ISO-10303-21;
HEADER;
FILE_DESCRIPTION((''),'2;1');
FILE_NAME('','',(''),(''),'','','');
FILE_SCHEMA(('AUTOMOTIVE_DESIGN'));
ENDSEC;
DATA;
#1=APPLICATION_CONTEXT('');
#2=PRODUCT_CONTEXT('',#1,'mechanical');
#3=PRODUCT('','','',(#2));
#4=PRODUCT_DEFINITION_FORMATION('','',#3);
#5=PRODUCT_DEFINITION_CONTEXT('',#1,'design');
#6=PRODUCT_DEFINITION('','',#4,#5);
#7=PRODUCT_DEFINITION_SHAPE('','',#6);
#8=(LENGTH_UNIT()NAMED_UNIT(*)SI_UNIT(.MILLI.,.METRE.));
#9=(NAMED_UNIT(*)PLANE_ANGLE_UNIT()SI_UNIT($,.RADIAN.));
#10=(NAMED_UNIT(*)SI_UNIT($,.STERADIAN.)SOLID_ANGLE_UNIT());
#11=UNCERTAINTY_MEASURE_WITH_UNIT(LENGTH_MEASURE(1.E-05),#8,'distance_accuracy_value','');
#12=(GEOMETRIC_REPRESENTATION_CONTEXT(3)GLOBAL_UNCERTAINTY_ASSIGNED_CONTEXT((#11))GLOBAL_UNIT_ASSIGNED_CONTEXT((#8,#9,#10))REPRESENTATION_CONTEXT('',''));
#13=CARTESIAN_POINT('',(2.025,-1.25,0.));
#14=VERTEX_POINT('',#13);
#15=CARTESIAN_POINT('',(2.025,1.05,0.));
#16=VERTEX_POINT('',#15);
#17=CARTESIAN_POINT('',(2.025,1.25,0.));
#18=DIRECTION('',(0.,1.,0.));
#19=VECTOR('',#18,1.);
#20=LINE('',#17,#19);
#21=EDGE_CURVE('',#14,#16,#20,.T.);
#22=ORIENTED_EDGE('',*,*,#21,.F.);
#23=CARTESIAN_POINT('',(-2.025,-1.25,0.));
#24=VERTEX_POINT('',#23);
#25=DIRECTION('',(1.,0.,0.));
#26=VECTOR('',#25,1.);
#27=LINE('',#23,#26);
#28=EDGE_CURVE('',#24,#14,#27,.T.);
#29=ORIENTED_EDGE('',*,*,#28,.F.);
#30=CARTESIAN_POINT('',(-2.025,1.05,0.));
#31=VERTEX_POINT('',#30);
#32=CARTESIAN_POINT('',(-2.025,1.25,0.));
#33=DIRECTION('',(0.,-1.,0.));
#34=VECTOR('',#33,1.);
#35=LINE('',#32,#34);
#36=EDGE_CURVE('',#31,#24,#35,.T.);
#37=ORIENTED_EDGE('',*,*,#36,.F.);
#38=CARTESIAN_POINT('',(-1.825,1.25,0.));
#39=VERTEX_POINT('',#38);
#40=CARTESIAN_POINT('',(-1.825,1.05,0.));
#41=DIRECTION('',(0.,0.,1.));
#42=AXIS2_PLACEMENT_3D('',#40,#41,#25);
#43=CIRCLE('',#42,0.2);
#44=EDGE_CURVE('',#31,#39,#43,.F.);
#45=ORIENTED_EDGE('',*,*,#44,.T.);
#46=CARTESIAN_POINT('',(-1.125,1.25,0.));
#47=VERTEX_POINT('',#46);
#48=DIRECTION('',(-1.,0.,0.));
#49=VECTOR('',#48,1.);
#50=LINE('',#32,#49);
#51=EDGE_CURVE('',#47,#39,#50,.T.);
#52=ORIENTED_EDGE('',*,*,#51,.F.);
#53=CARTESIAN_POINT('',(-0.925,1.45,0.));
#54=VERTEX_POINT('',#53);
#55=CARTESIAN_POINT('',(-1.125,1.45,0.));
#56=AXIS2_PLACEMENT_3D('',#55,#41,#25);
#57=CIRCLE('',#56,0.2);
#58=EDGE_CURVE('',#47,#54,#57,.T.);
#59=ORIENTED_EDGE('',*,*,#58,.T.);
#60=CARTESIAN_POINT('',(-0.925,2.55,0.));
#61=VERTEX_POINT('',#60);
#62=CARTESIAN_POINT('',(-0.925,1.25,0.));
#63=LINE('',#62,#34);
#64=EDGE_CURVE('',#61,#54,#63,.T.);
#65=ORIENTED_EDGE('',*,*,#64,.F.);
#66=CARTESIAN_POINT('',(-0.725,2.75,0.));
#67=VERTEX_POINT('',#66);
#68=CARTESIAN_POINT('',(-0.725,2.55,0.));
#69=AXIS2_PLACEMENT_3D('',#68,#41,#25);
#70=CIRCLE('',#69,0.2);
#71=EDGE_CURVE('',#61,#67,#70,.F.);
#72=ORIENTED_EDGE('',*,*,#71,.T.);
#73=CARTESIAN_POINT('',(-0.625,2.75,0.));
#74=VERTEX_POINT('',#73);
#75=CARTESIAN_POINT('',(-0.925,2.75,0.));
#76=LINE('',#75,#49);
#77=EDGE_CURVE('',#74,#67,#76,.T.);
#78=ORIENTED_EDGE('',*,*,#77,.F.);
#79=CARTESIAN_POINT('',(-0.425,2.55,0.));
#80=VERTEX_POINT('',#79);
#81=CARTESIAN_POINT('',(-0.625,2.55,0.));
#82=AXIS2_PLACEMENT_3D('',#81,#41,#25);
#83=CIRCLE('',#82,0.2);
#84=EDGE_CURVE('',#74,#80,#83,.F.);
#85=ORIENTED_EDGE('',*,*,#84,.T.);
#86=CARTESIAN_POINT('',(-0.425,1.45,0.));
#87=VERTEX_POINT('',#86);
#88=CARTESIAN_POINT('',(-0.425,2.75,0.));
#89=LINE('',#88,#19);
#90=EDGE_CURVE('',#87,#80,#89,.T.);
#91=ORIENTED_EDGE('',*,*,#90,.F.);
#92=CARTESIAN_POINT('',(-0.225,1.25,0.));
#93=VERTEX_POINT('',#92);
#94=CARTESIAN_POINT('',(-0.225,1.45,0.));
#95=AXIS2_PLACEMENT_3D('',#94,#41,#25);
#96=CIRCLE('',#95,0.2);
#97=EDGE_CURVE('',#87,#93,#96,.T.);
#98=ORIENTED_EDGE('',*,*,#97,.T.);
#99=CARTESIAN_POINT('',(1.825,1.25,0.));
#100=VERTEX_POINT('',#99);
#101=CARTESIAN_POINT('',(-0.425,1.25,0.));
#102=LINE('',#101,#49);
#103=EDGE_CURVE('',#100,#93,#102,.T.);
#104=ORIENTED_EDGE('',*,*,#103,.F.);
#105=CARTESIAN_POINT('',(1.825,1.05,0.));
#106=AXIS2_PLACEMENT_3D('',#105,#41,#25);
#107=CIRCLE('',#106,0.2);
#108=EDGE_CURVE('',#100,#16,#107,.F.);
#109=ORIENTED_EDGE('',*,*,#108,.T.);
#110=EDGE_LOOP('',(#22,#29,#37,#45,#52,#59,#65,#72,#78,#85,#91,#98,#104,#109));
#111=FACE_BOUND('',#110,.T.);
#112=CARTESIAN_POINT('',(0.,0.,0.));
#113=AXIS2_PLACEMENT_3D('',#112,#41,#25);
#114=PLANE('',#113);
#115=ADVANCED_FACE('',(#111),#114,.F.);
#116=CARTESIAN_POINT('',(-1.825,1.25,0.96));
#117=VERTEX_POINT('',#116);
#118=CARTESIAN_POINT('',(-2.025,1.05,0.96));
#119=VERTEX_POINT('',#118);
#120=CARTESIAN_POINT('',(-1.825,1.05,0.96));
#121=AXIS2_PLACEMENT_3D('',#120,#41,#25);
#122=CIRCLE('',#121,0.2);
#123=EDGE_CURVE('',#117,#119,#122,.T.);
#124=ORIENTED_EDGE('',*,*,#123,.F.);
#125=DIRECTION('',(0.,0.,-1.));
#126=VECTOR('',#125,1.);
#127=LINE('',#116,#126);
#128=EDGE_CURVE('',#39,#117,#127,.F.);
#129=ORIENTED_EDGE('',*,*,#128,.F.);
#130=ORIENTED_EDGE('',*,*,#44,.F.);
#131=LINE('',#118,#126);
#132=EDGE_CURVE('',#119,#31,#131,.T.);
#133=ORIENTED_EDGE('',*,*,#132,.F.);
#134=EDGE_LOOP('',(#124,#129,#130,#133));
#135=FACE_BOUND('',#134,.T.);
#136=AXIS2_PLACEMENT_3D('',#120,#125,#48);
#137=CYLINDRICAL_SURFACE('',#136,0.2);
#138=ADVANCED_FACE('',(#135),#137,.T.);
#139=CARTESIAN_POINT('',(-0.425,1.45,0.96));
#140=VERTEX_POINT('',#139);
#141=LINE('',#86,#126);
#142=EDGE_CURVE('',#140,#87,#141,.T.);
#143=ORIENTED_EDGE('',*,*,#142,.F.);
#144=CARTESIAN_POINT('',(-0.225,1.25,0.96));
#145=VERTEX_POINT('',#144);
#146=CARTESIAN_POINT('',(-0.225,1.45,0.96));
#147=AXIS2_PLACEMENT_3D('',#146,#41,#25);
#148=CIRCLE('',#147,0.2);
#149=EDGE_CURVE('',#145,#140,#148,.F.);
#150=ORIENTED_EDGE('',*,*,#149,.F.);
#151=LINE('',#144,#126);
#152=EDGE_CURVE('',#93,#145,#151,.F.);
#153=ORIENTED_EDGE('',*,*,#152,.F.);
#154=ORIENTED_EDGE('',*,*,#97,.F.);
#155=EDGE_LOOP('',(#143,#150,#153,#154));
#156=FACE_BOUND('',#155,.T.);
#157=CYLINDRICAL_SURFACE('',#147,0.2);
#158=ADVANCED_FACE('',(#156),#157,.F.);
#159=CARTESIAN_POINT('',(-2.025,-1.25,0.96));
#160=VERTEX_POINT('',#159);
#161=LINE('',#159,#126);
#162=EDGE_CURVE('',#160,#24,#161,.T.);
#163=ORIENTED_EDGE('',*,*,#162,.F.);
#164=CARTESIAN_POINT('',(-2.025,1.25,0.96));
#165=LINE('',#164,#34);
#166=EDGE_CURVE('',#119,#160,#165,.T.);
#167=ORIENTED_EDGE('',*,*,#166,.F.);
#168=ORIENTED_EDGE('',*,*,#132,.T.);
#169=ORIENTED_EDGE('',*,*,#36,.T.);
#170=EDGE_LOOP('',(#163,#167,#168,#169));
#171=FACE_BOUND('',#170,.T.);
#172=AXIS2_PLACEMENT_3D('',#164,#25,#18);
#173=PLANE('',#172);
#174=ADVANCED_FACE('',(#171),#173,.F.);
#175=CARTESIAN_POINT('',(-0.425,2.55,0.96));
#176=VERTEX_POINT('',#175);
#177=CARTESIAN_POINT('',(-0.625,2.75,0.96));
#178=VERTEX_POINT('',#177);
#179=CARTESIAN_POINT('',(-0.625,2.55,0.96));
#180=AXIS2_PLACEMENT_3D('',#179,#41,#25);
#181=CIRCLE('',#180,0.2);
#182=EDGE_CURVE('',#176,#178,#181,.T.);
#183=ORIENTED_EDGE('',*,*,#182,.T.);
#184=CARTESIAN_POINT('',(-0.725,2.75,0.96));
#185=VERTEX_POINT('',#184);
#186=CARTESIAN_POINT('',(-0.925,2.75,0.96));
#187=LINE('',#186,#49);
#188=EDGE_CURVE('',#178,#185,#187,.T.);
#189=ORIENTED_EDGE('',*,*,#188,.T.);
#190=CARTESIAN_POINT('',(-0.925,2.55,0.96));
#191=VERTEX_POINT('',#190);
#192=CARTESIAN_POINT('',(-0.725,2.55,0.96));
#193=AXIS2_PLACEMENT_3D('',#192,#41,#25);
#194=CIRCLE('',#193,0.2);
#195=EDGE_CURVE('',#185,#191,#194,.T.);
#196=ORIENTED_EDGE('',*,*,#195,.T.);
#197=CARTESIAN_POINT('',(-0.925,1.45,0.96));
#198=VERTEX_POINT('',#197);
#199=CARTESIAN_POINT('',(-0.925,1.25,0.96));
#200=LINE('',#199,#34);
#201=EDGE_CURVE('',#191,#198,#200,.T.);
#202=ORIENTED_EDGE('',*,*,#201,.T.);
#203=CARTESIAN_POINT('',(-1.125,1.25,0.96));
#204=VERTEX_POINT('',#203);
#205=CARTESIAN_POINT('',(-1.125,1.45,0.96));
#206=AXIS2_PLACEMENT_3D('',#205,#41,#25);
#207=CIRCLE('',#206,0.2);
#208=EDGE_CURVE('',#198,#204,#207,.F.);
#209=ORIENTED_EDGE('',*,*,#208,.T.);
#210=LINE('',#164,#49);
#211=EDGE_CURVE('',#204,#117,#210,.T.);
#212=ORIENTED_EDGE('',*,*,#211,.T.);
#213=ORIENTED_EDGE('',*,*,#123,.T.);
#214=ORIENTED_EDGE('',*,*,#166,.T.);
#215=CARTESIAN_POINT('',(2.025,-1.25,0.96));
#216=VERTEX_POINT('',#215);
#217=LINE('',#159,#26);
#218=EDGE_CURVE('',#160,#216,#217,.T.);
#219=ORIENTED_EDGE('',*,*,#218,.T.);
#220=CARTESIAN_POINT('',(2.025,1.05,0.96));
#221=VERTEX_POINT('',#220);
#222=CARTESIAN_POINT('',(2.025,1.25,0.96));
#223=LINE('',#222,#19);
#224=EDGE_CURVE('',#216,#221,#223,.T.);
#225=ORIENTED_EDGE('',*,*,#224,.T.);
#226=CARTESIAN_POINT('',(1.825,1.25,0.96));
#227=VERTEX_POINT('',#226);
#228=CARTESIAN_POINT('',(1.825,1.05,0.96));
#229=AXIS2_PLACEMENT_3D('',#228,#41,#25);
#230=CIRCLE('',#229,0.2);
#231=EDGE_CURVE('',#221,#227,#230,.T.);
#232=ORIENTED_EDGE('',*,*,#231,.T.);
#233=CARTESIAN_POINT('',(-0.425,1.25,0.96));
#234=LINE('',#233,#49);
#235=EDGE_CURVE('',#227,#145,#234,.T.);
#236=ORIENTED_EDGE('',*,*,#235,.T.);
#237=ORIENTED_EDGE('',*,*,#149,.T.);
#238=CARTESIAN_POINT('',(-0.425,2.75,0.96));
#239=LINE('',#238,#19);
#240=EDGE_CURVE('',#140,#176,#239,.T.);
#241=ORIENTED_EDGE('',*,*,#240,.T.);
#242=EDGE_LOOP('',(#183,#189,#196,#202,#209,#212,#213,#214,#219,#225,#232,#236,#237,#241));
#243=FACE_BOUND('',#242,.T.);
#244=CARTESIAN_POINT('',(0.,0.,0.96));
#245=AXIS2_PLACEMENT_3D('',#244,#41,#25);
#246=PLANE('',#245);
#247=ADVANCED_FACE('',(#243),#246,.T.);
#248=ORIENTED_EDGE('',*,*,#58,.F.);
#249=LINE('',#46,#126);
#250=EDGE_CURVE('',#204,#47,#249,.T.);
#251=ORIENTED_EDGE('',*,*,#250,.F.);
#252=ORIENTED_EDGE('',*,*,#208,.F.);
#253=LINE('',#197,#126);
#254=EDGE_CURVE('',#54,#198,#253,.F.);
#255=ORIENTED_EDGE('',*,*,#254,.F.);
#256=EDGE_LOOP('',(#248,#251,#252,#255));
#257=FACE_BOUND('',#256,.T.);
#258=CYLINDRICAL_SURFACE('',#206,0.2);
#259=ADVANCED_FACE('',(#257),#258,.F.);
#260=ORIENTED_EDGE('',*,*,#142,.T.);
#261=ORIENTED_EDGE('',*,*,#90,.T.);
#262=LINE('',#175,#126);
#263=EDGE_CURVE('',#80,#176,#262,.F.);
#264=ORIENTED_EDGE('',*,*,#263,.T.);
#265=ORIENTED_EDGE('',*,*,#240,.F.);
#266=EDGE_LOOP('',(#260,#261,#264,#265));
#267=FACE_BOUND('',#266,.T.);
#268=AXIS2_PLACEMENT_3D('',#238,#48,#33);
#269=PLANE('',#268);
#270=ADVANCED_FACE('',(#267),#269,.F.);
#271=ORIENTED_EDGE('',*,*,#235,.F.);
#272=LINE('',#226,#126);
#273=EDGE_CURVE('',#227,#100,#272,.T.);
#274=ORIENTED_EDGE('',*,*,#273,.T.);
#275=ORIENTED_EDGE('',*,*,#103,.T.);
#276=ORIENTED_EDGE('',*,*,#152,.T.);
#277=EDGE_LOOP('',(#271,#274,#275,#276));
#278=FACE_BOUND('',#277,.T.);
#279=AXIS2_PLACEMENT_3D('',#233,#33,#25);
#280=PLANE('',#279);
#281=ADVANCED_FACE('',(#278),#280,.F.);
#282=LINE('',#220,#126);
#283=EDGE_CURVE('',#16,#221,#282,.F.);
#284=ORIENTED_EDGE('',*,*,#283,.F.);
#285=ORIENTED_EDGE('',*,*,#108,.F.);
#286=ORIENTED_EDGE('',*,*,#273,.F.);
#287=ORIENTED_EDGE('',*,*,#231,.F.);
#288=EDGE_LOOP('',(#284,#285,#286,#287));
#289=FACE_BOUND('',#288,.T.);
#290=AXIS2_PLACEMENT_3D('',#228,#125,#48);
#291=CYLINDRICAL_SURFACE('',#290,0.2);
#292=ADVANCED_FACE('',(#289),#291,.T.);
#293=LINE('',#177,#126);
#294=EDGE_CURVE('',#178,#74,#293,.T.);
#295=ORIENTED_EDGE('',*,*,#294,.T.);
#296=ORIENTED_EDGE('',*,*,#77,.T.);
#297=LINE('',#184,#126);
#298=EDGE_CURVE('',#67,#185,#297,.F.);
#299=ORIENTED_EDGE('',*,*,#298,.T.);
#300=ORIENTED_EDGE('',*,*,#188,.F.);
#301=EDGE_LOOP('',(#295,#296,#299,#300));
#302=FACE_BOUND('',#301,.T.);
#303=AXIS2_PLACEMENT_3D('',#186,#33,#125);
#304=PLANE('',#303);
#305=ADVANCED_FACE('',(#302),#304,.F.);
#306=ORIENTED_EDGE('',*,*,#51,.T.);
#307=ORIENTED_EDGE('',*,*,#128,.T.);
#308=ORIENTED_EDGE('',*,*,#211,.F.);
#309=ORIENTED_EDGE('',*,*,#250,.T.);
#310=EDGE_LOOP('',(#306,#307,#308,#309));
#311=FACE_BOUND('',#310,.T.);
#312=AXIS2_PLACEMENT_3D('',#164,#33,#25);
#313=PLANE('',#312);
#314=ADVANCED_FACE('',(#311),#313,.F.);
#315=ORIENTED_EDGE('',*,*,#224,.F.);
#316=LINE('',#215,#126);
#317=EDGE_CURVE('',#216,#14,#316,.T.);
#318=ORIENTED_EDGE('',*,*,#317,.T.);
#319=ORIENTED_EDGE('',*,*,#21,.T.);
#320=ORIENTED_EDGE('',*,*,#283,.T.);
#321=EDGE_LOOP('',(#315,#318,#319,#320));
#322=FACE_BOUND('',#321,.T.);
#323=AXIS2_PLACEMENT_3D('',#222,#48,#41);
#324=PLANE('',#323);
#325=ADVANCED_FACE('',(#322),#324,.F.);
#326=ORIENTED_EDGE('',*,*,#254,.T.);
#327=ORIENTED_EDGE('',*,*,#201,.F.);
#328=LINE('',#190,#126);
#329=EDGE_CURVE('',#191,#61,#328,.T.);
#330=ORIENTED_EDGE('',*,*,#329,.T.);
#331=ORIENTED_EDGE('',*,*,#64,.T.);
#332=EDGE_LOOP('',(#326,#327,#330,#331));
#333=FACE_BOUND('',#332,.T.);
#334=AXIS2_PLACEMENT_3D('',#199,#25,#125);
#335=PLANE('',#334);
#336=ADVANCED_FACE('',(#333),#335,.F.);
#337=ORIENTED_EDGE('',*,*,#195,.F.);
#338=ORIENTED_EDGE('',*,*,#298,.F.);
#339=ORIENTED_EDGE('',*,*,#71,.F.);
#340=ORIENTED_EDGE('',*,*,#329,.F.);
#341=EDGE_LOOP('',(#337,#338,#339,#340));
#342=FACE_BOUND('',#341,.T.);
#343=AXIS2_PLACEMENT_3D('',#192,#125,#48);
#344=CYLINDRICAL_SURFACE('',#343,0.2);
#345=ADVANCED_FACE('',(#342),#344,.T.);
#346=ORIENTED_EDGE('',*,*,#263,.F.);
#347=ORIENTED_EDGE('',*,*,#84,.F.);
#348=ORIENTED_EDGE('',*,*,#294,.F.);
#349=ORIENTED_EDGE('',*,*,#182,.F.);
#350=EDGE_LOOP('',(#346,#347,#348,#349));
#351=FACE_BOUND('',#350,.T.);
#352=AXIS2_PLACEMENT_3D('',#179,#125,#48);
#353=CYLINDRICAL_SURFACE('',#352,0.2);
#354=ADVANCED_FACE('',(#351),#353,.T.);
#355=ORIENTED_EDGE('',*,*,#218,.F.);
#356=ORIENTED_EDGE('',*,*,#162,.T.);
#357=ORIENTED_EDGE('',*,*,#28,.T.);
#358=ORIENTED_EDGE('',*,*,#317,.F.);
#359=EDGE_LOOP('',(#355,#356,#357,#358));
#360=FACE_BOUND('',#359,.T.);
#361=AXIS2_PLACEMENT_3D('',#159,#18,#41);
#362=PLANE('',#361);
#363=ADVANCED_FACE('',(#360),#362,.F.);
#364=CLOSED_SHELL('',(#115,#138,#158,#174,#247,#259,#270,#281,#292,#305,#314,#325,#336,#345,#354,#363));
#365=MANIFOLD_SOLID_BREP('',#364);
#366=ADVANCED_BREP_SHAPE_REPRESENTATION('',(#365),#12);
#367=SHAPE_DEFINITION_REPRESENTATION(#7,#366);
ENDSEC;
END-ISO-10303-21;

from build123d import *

# Parameters (mm, degrees)
BOSS_EXTRUDE1_DEPTH = 0.96
FILLET1_R           = 0.2


with BuildPart() as part:
    # Sketch1 → Boss-Extrude1 (new body)
    with BuildSketch(Plane.XY):
        Polygon((-0.925, 1.25), (-0.925, 2.75), (-0.425, 2.75), (-0.425, 1.25), (2.025, 1.25), (2.025, -1.25), (-2.025, -1.25), (-2.025, 1.25), align=None)
    extrude(amount=BOSS_EXTRUDE1_DEPTH)

    # Fillet1
    fillet1_edges = [part.edges().sort_by_distance(p)[0] for p in [
        (-2.025, 1.25, 0.48),
        (-0.925, 1.25, 0.48),
        (-0.925, 2.75, 0.48),
        (-0.425, 2.75, 0.48),
        (-0.425, 1.25, 0.48),
        (2.025, 1.25, 0.48),
    ]]
    fillet(fillet1_edges, radius=FILLET1_R)


solid = part.part
